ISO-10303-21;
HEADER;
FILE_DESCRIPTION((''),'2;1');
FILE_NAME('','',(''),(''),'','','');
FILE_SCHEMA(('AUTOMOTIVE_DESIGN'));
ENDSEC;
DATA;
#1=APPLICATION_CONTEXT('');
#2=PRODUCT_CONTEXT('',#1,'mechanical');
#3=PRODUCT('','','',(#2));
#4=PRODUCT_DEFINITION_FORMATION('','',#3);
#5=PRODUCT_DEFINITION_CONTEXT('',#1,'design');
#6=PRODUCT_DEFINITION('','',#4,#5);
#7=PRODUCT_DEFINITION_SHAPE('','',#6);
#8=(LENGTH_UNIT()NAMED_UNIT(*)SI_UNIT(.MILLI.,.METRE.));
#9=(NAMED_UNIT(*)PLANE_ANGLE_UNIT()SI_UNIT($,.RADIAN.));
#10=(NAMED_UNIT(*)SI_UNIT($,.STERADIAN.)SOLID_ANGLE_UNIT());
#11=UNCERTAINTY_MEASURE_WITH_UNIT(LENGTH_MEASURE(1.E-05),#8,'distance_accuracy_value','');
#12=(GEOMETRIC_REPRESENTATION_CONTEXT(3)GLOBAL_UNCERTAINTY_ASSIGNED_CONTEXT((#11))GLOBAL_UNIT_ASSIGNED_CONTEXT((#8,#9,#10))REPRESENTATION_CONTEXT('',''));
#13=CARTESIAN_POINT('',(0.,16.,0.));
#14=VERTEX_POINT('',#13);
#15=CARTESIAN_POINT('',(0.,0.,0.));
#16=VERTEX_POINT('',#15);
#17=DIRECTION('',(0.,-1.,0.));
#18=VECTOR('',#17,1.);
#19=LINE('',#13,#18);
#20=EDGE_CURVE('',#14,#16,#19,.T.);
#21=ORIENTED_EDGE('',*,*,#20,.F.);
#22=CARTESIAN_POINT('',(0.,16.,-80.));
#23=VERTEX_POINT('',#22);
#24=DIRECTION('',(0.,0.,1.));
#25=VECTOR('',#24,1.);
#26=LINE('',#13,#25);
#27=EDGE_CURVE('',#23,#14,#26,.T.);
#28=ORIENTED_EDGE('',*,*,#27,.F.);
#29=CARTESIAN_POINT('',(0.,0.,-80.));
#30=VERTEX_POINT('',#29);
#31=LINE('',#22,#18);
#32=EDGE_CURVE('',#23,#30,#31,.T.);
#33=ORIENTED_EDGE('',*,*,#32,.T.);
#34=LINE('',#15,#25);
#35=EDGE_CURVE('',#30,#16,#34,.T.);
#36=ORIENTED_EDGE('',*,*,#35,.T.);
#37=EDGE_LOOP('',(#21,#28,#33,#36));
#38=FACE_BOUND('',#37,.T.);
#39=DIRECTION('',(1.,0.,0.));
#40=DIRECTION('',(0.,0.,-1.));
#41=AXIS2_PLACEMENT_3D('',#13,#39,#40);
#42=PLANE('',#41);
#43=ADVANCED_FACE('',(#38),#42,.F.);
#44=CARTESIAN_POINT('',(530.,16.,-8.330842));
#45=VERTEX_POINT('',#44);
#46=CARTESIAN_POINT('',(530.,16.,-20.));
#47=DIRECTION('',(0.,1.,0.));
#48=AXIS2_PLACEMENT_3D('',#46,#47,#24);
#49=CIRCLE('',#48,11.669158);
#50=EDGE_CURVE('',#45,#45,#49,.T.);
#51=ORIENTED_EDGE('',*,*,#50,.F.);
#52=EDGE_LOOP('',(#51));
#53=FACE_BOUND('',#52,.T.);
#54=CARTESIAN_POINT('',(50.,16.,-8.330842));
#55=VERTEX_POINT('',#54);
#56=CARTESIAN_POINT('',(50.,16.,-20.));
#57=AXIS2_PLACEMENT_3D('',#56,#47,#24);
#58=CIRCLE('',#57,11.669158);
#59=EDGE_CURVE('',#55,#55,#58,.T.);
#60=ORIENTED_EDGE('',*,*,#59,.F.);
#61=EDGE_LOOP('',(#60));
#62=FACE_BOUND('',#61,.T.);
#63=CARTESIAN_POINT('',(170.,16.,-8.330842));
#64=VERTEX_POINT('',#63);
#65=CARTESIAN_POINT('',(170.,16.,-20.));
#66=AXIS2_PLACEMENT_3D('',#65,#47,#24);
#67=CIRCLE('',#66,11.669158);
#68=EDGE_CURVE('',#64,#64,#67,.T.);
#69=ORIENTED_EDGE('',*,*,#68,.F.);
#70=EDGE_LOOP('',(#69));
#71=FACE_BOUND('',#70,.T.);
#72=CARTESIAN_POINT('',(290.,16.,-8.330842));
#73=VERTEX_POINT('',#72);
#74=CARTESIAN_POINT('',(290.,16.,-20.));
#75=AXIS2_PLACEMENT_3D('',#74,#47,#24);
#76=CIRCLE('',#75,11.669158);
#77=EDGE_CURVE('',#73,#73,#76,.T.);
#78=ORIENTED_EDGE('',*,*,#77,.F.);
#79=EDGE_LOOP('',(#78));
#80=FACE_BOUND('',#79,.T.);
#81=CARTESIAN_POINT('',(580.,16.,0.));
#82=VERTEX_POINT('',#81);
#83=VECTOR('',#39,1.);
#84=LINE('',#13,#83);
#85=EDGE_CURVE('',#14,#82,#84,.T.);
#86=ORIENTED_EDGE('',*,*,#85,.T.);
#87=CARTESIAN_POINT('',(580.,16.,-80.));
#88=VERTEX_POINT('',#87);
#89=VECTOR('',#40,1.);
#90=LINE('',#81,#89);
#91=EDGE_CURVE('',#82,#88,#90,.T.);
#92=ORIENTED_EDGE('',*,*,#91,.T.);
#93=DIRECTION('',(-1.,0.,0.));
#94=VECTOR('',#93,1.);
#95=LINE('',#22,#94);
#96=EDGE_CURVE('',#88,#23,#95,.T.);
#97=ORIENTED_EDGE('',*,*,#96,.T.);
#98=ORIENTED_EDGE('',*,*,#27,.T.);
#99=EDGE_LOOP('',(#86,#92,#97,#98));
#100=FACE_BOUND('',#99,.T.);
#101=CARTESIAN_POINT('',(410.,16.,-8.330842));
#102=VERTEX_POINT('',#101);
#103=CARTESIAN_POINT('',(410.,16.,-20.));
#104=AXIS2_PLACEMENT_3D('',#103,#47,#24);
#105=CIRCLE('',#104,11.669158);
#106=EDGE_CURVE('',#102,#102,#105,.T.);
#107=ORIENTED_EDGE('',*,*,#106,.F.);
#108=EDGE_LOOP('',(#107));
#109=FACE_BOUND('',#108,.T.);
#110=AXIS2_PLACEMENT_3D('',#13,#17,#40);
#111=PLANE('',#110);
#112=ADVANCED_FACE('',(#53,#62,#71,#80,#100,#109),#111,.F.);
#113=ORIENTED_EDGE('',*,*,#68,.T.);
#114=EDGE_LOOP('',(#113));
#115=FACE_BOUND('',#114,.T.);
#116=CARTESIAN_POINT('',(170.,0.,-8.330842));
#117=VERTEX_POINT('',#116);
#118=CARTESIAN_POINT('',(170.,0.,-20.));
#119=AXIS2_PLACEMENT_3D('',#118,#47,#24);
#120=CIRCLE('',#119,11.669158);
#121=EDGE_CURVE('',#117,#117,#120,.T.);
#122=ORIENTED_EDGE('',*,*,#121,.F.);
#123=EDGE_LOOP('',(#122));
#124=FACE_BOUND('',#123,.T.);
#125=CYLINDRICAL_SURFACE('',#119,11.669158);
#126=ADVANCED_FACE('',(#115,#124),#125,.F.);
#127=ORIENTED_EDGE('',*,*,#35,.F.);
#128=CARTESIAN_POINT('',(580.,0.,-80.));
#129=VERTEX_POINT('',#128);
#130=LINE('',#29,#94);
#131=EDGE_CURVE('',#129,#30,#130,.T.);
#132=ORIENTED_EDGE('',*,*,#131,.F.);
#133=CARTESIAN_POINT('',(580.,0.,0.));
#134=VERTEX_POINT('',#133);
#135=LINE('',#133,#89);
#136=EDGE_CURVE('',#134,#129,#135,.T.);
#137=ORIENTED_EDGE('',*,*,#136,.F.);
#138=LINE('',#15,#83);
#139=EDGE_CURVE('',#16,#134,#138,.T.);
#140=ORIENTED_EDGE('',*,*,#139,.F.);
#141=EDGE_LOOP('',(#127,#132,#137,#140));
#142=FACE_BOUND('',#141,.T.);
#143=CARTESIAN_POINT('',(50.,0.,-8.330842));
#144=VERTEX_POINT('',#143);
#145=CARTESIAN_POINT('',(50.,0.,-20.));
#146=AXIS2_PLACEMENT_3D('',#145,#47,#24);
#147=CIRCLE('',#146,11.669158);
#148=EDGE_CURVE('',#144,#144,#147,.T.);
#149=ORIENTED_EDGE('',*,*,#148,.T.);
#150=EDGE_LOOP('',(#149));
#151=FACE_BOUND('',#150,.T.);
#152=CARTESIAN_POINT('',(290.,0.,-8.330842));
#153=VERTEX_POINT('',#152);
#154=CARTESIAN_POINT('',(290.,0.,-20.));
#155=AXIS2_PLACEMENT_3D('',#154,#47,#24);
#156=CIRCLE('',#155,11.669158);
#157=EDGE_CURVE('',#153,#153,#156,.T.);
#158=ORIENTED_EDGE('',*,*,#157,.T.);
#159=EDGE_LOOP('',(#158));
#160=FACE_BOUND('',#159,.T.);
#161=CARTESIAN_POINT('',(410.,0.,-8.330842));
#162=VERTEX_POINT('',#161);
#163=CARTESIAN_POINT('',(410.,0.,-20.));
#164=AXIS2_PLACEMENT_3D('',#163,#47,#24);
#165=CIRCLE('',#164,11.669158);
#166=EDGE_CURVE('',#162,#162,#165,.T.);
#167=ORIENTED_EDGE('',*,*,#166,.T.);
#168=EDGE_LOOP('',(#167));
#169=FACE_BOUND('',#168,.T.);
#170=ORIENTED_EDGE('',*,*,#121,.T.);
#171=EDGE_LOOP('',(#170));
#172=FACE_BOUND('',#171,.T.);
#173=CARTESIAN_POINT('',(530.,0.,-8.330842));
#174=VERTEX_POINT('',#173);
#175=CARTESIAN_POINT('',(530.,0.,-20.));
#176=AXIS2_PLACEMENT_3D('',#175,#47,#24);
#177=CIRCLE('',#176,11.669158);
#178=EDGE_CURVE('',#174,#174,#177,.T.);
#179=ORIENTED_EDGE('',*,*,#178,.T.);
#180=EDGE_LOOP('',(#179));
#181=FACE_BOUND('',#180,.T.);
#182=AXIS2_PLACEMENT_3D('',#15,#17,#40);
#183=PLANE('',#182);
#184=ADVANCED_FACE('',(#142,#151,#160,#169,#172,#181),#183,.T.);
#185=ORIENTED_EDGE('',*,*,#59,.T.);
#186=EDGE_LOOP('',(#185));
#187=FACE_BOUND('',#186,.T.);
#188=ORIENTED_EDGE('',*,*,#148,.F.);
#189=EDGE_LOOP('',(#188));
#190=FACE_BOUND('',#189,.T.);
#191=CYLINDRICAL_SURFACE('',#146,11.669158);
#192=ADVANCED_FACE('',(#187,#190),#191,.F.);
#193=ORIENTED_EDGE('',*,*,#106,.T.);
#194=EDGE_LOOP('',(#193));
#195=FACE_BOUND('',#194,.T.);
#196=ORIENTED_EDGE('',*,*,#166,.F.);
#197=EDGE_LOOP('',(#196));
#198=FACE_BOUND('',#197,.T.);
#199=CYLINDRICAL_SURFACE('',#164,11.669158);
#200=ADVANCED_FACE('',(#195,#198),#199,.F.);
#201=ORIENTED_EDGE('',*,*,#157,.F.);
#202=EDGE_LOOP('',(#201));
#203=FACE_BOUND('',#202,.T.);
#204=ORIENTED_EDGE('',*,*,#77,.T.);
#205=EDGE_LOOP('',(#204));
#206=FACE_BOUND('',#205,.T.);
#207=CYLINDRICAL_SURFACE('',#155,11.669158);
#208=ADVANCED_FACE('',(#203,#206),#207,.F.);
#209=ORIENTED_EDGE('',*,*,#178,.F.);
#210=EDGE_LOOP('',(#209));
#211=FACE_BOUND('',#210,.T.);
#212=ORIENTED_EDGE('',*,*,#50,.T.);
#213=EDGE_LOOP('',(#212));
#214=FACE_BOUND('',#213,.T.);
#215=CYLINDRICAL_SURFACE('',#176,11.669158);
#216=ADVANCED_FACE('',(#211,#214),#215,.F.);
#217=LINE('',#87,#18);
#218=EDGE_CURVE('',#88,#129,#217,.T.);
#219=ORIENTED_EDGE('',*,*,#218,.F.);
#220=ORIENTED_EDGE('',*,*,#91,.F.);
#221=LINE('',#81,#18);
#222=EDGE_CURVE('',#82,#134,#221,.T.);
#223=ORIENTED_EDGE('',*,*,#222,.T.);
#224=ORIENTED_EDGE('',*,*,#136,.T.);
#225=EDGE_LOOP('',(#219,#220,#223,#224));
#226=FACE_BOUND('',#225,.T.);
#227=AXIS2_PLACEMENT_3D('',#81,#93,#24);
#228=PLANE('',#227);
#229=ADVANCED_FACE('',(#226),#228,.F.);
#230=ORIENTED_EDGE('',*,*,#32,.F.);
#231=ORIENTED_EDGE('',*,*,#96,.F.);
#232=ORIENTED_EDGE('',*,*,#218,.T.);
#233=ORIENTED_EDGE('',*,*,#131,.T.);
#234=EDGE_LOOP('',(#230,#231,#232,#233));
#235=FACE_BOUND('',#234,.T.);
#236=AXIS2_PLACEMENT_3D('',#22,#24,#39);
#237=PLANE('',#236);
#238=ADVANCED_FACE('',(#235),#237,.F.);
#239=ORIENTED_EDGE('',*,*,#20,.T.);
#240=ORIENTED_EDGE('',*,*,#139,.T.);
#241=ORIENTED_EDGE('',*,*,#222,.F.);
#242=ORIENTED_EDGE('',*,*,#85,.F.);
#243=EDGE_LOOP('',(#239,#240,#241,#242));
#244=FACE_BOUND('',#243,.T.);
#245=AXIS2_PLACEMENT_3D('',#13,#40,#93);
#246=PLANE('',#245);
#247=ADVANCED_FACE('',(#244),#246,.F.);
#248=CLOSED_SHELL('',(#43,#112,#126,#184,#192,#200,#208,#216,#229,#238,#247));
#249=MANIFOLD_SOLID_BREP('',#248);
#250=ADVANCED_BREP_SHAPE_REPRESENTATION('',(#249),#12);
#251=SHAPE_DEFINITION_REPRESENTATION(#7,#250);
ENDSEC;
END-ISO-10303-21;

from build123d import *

# Parameters (mm, degrees)
SKETCH2_W           = 580
SKETCH2_H           = 80
BOSS_EXTRUDE1_DEPTH = 16
SKETCH3_R           = 11.669157558
CUT_EXTRUDE1_DEPTH  = 16


with BuildPart() as part:
    # Sketch2 → Boss-Extrude1 (new body)
    with BuildSketch(Plane(origin=(0, 0, 0), x_dir=(1, 0, 0), z_dir=(0, 1, 0))):
        with Locations((290, 40)):
            Rectangle(SKETCH2_W, SKETCH2_H)
    extrude(amount=BOSS_EXTRUDE1_DEPTH)

    # Sketch3 → Cut-Extrude1 (cut)
    with BuildSketch(Plane(origin=(0, 16, 0), x_dir=(1, 0, 0), z_dir=(0, 1, 0))):
        with Locations(Location((50, 20, 0), (0, 0, 270))):  # turned: the seam where the file's is
            Circle(SKETCH3_R)
        with Locations(Location((170, 20, 0), (0, 0, 270))):  # turned: the seam where the file's is
            Circle(SKETCH3_R)
        with Locations(Location((290, 20, 0), (0, 0, 270))):  # turned: the seam where the file's is
            Circle(SKETCH3_R)
        with Locations(Location((410, 20, 0), (0, 0, 270))):  # turned: the seam where the file's is
            Circle(SKETCH3_R)
        with Locations(Location((530, 20, 0), (0, 0, 270))):  # turned: the seam where the file's is
            Circle(SKETCH3_R)
    extrude(amount=-CUT_EXTRUDE1_DEPTH, mode=Mode.SUBTRACT)


solid = part.part
